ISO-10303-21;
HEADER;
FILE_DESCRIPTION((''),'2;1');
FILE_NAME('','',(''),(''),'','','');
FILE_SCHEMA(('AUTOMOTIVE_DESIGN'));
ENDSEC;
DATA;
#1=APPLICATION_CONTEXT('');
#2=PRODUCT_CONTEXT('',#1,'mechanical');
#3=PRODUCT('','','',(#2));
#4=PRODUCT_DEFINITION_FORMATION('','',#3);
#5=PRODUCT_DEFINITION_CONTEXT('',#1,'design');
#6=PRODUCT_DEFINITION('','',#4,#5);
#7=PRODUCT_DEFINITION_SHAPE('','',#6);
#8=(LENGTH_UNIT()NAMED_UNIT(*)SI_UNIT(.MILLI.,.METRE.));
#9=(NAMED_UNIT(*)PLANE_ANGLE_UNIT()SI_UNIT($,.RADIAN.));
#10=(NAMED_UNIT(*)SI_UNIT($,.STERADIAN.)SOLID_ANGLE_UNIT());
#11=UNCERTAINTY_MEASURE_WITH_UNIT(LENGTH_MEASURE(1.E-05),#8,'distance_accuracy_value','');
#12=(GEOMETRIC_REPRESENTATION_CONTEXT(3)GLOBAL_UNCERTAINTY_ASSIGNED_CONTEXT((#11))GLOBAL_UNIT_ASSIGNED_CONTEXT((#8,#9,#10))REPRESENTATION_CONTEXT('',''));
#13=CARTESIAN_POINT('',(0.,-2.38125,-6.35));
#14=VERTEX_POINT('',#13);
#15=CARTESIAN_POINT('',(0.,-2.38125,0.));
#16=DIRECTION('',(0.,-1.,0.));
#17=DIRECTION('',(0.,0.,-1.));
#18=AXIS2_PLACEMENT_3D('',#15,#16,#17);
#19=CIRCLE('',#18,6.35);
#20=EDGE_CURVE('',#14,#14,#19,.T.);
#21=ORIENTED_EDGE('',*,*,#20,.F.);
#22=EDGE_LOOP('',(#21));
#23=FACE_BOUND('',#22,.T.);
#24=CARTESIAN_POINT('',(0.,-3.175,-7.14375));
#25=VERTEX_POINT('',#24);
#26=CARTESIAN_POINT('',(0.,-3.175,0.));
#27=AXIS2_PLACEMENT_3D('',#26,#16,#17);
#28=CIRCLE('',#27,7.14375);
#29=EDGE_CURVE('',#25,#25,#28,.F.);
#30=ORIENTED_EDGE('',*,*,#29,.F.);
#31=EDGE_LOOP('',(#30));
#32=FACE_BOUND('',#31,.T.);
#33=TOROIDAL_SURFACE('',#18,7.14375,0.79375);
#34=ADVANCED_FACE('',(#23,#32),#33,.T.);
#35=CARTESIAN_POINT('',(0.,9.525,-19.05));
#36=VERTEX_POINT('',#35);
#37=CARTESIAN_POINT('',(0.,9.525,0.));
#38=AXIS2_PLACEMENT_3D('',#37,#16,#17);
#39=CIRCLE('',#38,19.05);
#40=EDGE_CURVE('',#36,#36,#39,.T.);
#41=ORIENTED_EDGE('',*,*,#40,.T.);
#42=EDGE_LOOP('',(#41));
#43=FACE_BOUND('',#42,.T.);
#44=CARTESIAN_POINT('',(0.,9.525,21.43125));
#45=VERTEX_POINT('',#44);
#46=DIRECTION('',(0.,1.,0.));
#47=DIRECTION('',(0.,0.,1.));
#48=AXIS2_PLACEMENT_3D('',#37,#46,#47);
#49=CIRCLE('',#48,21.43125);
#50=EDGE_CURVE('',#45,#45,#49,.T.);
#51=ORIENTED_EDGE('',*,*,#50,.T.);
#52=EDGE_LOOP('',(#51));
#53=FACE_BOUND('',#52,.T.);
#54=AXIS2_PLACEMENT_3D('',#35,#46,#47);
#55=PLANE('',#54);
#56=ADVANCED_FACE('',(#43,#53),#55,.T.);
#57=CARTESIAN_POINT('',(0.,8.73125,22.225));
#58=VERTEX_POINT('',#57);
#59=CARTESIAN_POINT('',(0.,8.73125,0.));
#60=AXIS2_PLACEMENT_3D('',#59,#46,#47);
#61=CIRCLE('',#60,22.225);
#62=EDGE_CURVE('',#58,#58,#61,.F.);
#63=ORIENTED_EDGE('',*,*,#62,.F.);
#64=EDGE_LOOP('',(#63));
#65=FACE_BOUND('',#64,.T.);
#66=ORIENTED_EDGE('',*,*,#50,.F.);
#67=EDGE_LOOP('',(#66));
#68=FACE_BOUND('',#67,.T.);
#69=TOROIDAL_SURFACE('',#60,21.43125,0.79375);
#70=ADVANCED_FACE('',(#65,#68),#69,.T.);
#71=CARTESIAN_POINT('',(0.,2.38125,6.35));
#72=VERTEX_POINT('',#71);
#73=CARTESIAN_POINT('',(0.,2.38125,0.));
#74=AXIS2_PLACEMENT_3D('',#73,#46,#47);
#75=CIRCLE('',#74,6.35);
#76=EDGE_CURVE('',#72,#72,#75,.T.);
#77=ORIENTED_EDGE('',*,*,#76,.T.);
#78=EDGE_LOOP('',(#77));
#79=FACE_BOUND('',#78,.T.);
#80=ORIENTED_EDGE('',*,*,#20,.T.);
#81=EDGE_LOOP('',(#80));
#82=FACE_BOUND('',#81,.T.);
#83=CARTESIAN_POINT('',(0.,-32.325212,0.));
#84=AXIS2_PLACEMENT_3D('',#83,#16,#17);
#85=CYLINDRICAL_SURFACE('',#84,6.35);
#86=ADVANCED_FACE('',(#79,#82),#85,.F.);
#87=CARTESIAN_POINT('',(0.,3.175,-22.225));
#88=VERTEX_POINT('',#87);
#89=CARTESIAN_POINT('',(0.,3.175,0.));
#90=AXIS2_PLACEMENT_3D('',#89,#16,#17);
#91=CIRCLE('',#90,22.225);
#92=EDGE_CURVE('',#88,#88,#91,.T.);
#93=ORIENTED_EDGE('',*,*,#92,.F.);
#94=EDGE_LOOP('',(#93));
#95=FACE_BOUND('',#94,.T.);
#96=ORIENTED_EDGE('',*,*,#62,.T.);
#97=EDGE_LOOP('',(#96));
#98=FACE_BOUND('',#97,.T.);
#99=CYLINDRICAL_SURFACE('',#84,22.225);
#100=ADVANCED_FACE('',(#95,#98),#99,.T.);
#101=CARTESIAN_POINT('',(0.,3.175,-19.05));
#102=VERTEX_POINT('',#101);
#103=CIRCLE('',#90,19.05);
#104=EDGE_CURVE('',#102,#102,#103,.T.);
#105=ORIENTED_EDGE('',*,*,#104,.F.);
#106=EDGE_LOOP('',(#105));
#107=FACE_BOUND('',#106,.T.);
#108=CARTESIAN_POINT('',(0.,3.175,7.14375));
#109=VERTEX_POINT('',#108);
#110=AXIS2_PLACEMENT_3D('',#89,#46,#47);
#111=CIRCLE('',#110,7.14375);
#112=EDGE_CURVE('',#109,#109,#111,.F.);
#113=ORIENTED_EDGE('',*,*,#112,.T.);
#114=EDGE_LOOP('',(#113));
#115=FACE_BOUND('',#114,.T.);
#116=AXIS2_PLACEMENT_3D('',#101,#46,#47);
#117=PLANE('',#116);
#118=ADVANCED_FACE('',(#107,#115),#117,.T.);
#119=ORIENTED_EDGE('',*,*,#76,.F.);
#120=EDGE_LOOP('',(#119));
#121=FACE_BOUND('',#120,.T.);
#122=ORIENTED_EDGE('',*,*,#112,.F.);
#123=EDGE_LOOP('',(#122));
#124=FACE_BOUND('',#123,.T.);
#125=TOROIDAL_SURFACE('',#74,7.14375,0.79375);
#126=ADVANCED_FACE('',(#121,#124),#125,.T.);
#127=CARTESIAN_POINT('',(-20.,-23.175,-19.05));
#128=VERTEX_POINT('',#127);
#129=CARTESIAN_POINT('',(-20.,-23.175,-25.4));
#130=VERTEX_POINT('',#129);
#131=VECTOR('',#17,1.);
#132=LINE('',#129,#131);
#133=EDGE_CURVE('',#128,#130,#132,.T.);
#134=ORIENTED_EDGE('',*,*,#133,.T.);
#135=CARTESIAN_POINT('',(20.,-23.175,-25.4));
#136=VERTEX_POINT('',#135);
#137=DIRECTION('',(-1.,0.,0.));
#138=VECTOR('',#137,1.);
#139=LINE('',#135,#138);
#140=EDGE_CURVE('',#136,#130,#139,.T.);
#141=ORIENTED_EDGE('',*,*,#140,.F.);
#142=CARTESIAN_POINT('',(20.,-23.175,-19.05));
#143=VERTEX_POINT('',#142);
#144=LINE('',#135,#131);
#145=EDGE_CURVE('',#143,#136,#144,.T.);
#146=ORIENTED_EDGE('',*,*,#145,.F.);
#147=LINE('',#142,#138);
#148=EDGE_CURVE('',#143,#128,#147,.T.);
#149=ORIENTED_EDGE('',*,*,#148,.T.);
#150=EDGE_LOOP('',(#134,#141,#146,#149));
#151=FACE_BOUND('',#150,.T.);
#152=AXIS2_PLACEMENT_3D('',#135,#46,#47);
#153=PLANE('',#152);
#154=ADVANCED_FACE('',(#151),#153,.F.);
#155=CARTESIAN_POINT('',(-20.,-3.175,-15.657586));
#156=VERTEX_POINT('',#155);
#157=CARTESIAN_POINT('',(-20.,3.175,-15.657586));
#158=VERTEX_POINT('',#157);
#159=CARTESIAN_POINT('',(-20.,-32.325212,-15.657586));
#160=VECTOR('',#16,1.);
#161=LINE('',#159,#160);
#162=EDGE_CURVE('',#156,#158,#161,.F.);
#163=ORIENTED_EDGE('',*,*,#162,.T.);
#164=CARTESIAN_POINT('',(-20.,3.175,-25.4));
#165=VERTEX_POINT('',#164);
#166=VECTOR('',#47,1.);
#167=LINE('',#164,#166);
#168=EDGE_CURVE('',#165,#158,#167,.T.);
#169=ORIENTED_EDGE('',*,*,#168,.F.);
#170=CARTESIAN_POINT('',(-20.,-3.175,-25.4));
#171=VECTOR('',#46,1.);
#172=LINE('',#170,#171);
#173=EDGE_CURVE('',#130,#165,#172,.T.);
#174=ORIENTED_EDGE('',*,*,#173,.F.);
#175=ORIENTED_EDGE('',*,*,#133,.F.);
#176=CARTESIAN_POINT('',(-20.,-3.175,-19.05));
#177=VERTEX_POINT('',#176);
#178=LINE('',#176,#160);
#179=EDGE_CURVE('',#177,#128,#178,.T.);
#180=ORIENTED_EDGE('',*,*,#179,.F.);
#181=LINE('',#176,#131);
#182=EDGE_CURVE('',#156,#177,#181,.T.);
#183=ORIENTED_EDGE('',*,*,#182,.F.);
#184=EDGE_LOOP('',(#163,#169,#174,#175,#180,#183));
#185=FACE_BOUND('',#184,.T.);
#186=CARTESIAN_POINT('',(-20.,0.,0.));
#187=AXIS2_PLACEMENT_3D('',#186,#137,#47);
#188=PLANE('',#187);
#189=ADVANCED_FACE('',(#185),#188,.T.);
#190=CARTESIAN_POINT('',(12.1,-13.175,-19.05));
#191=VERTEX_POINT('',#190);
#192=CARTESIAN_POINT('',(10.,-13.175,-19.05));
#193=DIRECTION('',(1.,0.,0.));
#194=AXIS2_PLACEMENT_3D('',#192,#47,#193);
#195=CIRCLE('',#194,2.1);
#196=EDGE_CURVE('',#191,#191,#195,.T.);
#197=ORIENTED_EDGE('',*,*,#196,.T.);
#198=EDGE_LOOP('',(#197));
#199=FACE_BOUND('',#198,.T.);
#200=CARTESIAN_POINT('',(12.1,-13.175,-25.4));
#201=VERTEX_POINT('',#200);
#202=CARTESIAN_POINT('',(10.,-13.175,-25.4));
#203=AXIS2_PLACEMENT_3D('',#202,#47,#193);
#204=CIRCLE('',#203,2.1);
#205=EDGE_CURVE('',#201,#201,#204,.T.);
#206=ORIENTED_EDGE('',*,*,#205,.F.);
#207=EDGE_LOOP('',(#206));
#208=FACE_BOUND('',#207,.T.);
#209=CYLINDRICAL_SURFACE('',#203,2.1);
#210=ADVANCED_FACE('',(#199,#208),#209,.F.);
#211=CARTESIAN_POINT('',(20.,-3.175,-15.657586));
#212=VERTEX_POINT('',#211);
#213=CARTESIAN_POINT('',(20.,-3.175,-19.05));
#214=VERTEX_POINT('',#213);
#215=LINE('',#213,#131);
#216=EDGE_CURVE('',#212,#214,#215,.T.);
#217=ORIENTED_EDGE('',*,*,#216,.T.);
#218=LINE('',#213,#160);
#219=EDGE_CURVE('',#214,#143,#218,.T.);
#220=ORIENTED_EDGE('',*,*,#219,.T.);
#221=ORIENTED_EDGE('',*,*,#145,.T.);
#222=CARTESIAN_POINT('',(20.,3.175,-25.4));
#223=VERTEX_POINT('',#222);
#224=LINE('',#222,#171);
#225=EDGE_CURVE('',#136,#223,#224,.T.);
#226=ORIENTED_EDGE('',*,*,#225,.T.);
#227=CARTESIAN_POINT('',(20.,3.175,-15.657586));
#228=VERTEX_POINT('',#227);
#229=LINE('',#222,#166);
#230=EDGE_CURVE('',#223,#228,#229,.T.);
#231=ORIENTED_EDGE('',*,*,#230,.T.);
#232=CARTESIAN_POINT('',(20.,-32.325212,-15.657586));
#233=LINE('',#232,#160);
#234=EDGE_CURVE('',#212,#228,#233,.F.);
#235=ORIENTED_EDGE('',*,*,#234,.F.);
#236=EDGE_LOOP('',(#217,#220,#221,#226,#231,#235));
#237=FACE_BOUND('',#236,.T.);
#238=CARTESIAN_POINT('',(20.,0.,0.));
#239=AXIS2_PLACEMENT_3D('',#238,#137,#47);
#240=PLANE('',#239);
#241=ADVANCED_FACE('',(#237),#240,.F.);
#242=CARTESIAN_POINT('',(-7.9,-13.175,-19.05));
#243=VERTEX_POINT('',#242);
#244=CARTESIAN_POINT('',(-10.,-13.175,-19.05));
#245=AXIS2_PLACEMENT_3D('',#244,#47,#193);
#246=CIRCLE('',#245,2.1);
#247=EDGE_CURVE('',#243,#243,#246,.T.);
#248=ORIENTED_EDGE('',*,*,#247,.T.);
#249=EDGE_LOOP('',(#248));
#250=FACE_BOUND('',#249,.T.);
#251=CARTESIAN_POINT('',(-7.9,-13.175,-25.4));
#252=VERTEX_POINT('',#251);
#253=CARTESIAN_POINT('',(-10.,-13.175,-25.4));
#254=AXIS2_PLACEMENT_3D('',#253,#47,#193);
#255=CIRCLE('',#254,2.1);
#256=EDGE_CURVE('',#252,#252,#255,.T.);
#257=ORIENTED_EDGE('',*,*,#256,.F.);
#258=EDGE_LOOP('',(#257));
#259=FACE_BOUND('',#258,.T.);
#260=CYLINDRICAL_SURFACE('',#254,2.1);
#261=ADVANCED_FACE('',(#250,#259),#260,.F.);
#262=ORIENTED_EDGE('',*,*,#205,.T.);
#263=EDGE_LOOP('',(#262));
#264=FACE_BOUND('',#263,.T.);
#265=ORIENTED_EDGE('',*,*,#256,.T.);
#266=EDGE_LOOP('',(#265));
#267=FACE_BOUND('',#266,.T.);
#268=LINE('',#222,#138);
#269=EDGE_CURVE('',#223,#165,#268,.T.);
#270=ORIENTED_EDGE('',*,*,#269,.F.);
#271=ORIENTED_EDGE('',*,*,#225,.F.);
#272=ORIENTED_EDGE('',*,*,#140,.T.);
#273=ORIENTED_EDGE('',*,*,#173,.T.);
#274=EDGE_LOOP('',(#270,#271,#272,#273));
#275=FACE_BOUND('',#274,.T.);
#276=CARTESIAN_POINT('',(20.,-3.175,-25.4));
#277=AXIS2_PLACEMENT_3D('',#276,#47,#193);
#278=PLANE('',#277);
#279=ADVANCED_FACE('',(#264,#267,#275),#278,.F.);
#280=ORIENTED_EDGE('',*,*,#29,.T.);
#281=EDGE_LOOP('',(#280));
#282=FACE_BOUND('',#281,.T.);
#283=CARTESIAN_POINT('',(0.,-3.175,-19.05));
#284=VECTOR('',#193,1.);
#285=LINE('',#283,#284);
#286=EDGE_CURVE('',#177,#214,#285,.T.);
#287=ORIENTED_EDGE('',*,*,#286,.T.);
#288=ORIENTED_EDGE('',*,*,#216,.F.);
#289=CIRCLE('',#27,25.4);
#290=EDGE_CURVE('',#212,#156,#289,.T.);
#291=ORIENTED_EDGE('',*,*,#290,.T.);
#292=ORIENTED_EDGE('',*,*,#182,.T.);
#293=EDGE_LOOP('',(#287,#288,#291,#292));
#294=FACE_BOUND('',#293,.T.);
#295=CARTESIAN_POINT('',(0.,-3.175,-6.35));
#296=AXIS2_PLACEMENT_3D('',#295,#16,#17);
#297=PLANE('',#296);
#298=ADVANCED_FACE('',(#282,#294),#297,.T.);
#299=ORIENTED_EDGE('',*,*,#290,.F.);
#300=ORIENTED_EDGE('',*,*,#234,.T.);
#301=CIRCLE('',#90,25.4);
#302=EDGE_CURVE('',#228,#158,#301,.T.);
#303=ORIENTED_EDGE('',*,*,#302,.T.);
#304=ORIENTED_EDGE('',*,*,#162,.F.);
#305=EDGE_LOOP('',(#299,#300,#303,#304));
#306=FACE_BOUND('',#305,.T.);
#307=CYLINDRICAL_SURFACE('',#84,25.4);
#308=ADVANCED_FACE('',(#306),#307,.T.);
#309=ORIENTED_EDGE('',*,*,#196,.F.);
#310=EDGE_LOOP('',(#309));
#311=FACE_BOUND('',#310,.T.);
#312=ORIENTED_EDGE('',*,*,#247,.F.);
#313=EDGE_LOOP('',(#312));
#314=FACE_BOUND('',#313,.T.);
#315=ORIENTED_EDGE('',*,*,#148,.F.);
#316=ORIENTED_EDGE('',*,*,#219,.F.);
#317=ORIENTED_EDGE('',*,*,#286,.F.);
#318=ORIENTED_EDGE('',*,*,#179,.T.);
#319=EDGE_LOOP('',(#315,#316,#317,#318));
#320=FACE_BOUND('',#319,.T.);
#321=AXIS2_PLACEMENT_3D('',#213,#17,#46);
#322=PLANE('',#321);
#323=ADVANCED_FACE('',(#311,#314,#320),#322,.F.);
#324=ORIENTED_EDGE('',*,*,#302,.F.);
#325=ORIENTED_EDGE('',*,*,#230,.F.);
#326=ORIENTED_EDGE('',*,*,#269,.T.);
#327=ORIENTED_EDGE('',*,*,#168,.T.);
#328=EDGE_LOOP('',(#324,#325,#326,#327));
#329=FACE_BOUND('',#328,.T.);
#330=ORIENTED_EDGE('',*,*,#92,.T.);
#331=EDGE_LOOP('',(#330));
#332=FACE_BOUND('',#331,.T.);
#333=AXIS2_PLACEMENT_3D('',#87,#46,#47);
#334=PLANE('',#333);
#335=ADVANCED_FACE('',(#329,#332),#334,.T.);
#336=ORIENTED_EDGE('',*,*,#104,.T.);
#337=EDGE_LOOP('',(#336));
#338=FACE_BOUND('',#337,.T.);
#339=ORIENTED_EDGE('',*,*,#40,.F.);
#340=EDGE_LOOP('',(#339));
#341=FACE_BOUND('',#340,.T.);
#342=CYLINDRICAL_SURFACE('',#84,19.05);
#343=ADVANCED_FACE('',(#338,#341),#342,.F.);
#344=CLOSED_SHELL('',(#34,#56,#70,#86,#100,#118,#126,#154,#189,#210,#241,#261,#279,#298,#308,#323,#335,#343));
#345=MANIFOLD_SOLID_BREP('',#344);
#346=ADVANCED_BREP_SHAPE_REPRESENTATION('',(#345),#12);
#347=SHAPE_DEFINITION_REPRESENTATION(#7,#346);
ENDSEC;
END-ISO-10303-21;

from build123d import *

# Parameters (mm, degrees)
FILLET1_R           = 0.79375
BOSS_EXTRUDE1_DEPTH = 20
CUT_EXTRUDE1_DEPTH  = 7.35


with BuildPart() as part:
    # Sketch1 → Revolve1 (revolve)
    with BuildSketch(Plane(origin=(0, 0, 0), x_dir=(0, 0, -1), z_dir=(1, 0, 0))):
        Polygon((22.225, 9.525), (22.225, 3.175), (25.4, 3.175), (25.4, -3.175), (6.35, -3.175), (6.35, 3.175), (19.05, 3.175), (19.05, 9.525), align=None)
    revolve(axis=Axis((0, -32.325211936, 0), (0, 1, 0)))

    # Fillet1
    fillet1_edges = [part.edges().sort_by_distance(p)[0] for p in [
        (0, 9.525, 22.225),
        (0, 3.175, 6.35),
        (0, -3.175, 6.35),
    ]]
    fillet(fillet1_edges, radius=FILLET1_R)

    # Sketch2 → Boss-Extrude1 (add, symmetric)
    with BuildSketch(Plane(origin=(0, 0, 0), x_dir=(0, 0, -1), z_dir=(1, 0, 0))):
        Polygon((25.4, 3.175), (12.7, 3.175), (12.7, -3.175), (19.05, -3.175), (19.05, -23.174999878), (25.4, -23.174999878), (25.4, -3.175), align=None)
    extrude(amount=BOSS_EXTRUDE1_DEPTH, both=True)

    # Sketch3 → Cut-Extrude1 (cut, through all)
    with BuildSketch(Plane.XY.offset(-19.05)):
        with BuildLine():
            ThreePointArc((-10, -11.075), (-12.1, -13.175), (-10, -15.275))
            ThreePointArc((-10, -15.275), (-8.51507576, -14.65992424), (-7.9, -13.175))
            ThreePointArc((-7.9, -13.175), (-8.51507576, -11.69007576), (-10, -11.075))
        make_face()
        with BuildLine():
            ThreePointArc((10, -11.075), (7.9, -13.175), (10, -15.275))
            ThreePointArc((10, -15.275), (11.48492424, -14.65992424), (12.1, -13.175))
            ThreePointArc((12.1, -13.175), (11.48492424, -11.69007576), (10, -11.075))
        make_face()
    extrude(amount=-CUT_EXTRUDE1_DEPTH, mode=Mode.SUBTRACT)


solid = part.part
